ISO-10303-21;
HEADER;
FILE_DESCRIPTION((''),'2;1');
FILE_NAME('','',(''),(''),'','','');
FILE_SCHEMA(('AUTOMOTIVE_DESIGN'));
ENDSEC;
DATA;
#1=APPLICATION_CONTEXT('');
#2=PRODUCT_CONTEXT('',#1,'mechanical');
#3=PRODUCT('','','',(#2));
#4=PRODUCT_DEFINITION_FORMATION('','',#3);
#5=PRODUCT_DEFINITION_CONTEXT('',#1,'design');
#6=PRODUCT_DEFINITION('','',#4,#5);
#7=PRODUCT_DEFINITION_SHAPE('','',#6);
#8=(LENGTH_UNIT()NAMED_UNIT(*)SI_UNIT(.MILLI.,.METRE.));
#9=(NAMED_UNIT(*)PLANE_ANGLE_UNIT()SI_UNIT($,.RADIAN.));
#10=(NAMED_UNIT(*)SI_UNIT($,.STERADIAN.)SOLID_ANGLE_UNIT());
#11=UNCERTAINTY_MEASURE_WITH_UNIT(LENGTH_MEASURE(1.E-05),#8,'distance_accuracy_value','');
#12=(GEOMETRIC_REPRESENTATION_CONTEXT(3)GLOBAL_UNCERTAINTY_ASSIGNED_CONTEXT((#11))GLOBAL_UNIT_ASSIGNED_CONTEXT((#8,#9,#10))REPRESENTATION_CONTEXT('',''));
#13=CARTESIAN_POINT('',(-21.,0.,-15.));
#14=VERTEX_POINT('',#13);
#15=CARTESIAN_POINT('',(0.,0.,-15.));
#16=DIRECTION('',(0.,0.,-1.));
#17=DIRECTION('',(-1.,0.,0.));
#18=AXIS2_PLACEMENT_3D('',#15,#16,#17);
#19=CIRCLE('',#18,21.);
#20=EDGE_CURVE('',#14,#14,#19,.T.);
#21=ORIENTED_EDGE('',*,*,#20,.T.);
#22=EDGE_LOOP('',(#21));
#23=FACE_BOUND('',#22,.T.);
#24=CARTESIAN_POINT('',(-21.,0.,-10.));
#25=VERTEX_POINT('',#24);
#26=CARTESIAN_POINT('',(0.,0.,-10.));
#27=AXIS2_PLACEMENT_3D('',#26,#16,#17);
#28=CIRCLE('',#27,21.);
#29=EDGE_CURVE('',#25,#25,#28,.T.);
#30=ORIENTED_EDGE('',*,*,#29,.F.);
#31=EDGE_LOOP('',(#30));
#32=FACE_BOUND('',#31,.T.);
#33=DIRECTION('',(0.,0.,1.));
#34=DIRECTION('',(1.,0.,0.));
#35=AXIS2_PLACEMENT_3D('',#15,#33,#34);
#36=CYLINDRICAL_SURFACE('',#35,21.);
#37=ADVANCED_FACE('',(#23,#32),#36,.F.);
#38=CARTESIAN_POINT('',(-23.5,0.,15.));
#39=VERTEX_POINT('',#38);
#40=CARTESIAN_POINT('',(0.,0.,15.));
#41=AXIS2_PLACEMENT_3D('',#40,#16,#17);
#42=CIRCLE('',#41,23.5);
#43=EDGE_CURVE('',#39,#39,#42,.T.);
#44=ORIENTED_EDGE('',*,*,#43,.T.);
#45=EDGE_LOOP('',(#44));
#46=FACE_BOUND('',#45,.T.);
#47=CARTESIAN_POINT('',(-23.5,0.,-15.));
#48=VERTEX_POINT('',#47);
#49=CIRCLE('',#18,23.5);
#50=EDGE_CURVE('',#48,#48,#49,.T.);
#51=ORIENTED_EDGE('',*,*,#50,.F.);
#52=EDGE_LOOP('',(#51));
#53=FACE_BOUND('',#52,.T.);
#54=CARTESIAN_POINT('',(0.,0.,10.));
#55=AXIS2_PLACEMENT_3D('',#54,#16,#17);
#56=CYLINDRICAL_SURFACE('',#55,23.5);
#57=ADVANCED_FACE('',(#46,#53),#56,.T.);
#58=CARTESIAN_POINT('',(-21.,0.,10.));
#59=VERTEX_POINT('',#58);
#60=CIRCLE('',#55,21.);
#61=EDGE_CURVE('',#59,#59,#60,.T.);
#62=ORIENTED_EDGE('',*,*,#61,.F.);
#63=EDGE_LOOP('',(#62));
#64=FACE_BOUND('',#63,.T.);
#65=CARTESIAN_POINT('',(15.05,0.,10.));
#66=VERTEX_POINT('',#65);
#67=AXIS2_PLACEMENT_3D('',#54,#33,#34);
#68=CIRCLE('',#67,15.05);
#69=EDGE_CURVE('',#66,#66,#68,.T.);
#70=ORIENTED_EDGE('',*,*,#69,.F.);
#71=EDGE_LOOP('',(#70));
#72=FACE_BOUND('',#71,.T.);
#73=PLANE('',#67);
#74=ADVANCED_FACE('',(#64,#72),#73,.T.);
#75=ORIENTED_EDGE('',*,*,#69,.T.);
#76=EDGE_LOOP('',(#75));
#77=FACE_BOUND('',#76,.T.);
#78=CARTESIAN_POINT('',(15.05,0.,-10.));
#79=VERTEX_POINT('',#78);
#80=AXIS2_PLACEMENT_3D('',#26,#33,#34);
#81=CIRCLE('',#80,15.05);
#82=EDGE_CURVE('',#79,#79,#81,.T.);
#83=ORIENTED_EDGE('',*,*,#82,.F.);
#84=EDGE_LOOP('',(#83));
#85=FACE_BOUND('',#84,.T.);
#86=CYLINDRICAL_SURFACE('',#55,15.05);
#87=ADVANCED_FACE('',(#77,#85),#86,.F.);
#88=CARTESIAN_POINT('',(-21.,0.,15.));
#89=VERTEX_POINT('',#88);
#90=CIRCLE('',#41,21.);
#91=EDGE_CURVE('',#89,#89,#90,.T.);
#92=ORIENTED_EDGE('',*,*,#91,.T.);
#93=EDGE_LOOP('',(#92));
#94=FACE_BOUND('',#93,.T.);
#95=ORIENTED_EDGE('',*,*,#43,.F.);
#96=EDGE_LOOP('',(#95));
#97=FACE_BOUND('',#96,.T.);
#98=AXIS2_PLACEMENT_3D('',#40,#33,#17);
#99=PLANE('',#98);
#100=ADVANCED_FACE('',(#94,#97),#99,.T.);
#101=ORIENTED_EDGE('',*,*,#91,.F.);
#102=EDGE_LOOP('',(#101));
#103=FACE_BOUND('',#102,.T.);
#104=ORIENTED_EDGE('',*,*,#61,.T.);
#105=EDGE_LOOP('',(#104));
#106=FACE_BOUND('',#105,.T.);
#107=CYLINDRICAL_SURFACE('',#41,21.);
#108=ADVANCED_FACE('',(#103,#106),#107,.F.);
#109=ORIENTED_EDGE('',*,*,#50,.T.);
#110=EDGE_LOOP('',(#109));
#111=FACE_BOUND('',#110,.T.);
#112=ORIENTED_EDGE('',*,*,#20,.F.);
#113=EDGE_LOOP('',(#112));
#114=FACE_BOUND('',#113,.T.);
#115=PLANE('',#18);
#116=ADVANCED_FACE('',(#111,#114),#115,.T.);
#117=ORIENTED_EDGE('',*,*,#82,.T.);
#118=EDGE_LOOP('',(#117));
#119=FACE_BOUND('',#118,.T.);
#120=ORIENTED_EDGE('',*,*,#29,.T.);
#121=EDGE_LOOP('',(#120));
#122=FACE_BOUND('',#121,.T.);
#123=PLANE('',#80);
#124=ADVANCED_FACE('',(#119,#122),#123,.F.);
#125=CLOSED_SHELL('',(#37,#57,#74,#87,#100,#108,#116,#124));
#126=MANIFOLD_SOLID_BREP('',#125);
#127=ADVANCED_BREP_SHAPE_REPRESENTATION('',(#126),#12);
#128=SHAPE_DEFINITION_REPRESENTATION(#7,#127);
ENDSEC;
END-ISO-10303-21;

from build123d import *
from build123d.topology import SkipClean

# Parameters (mm, degrees)
SKETCH1_R           = 23.5
SKETCH1_R_2         = 15.05
BOSS_EXTRUDE1_DEPTH = 10
SKETCH2_R           = 23.5
SKETCH2_R_2         = 21
BOSS_EXTRUDE2_DEPTH = 5


with BuildPart() as part:
    # Sketch1 → Boss-Extrude1 (new, symmetric)
    with BuildSketch(Plane.XY):
        Circle(SKETCH1_R)
        Circle(SKETCH1_R_2, mode=Mode.SUBTRACT)
    extrude(amount=BOSS_EXTRUDE1_DEPTH, both=True)

    # Sketch2 → Boss-Extrude2 (add)
    with BuildSketch(Plane(origin=(0, 0, -10), x_dir=(-1, 0, 0), z_dir=(0, 0, -1))):
        Circle(SKETCH2_R)
        Circle(SKETCH2_R_2, mode=Mode.SUBTRACT)
    boss_extrude2 = extrude(amount=BOSS_EXTRUDE2_DEPTH)

    # Mirror1: Boss-Extrude2 across plane
    with SkipClean():  # the faces are left unmerged after this step: merging them gives an invalid solid
        add(boss_extrude2.mirror(Plane.XY))


solid = part.part
